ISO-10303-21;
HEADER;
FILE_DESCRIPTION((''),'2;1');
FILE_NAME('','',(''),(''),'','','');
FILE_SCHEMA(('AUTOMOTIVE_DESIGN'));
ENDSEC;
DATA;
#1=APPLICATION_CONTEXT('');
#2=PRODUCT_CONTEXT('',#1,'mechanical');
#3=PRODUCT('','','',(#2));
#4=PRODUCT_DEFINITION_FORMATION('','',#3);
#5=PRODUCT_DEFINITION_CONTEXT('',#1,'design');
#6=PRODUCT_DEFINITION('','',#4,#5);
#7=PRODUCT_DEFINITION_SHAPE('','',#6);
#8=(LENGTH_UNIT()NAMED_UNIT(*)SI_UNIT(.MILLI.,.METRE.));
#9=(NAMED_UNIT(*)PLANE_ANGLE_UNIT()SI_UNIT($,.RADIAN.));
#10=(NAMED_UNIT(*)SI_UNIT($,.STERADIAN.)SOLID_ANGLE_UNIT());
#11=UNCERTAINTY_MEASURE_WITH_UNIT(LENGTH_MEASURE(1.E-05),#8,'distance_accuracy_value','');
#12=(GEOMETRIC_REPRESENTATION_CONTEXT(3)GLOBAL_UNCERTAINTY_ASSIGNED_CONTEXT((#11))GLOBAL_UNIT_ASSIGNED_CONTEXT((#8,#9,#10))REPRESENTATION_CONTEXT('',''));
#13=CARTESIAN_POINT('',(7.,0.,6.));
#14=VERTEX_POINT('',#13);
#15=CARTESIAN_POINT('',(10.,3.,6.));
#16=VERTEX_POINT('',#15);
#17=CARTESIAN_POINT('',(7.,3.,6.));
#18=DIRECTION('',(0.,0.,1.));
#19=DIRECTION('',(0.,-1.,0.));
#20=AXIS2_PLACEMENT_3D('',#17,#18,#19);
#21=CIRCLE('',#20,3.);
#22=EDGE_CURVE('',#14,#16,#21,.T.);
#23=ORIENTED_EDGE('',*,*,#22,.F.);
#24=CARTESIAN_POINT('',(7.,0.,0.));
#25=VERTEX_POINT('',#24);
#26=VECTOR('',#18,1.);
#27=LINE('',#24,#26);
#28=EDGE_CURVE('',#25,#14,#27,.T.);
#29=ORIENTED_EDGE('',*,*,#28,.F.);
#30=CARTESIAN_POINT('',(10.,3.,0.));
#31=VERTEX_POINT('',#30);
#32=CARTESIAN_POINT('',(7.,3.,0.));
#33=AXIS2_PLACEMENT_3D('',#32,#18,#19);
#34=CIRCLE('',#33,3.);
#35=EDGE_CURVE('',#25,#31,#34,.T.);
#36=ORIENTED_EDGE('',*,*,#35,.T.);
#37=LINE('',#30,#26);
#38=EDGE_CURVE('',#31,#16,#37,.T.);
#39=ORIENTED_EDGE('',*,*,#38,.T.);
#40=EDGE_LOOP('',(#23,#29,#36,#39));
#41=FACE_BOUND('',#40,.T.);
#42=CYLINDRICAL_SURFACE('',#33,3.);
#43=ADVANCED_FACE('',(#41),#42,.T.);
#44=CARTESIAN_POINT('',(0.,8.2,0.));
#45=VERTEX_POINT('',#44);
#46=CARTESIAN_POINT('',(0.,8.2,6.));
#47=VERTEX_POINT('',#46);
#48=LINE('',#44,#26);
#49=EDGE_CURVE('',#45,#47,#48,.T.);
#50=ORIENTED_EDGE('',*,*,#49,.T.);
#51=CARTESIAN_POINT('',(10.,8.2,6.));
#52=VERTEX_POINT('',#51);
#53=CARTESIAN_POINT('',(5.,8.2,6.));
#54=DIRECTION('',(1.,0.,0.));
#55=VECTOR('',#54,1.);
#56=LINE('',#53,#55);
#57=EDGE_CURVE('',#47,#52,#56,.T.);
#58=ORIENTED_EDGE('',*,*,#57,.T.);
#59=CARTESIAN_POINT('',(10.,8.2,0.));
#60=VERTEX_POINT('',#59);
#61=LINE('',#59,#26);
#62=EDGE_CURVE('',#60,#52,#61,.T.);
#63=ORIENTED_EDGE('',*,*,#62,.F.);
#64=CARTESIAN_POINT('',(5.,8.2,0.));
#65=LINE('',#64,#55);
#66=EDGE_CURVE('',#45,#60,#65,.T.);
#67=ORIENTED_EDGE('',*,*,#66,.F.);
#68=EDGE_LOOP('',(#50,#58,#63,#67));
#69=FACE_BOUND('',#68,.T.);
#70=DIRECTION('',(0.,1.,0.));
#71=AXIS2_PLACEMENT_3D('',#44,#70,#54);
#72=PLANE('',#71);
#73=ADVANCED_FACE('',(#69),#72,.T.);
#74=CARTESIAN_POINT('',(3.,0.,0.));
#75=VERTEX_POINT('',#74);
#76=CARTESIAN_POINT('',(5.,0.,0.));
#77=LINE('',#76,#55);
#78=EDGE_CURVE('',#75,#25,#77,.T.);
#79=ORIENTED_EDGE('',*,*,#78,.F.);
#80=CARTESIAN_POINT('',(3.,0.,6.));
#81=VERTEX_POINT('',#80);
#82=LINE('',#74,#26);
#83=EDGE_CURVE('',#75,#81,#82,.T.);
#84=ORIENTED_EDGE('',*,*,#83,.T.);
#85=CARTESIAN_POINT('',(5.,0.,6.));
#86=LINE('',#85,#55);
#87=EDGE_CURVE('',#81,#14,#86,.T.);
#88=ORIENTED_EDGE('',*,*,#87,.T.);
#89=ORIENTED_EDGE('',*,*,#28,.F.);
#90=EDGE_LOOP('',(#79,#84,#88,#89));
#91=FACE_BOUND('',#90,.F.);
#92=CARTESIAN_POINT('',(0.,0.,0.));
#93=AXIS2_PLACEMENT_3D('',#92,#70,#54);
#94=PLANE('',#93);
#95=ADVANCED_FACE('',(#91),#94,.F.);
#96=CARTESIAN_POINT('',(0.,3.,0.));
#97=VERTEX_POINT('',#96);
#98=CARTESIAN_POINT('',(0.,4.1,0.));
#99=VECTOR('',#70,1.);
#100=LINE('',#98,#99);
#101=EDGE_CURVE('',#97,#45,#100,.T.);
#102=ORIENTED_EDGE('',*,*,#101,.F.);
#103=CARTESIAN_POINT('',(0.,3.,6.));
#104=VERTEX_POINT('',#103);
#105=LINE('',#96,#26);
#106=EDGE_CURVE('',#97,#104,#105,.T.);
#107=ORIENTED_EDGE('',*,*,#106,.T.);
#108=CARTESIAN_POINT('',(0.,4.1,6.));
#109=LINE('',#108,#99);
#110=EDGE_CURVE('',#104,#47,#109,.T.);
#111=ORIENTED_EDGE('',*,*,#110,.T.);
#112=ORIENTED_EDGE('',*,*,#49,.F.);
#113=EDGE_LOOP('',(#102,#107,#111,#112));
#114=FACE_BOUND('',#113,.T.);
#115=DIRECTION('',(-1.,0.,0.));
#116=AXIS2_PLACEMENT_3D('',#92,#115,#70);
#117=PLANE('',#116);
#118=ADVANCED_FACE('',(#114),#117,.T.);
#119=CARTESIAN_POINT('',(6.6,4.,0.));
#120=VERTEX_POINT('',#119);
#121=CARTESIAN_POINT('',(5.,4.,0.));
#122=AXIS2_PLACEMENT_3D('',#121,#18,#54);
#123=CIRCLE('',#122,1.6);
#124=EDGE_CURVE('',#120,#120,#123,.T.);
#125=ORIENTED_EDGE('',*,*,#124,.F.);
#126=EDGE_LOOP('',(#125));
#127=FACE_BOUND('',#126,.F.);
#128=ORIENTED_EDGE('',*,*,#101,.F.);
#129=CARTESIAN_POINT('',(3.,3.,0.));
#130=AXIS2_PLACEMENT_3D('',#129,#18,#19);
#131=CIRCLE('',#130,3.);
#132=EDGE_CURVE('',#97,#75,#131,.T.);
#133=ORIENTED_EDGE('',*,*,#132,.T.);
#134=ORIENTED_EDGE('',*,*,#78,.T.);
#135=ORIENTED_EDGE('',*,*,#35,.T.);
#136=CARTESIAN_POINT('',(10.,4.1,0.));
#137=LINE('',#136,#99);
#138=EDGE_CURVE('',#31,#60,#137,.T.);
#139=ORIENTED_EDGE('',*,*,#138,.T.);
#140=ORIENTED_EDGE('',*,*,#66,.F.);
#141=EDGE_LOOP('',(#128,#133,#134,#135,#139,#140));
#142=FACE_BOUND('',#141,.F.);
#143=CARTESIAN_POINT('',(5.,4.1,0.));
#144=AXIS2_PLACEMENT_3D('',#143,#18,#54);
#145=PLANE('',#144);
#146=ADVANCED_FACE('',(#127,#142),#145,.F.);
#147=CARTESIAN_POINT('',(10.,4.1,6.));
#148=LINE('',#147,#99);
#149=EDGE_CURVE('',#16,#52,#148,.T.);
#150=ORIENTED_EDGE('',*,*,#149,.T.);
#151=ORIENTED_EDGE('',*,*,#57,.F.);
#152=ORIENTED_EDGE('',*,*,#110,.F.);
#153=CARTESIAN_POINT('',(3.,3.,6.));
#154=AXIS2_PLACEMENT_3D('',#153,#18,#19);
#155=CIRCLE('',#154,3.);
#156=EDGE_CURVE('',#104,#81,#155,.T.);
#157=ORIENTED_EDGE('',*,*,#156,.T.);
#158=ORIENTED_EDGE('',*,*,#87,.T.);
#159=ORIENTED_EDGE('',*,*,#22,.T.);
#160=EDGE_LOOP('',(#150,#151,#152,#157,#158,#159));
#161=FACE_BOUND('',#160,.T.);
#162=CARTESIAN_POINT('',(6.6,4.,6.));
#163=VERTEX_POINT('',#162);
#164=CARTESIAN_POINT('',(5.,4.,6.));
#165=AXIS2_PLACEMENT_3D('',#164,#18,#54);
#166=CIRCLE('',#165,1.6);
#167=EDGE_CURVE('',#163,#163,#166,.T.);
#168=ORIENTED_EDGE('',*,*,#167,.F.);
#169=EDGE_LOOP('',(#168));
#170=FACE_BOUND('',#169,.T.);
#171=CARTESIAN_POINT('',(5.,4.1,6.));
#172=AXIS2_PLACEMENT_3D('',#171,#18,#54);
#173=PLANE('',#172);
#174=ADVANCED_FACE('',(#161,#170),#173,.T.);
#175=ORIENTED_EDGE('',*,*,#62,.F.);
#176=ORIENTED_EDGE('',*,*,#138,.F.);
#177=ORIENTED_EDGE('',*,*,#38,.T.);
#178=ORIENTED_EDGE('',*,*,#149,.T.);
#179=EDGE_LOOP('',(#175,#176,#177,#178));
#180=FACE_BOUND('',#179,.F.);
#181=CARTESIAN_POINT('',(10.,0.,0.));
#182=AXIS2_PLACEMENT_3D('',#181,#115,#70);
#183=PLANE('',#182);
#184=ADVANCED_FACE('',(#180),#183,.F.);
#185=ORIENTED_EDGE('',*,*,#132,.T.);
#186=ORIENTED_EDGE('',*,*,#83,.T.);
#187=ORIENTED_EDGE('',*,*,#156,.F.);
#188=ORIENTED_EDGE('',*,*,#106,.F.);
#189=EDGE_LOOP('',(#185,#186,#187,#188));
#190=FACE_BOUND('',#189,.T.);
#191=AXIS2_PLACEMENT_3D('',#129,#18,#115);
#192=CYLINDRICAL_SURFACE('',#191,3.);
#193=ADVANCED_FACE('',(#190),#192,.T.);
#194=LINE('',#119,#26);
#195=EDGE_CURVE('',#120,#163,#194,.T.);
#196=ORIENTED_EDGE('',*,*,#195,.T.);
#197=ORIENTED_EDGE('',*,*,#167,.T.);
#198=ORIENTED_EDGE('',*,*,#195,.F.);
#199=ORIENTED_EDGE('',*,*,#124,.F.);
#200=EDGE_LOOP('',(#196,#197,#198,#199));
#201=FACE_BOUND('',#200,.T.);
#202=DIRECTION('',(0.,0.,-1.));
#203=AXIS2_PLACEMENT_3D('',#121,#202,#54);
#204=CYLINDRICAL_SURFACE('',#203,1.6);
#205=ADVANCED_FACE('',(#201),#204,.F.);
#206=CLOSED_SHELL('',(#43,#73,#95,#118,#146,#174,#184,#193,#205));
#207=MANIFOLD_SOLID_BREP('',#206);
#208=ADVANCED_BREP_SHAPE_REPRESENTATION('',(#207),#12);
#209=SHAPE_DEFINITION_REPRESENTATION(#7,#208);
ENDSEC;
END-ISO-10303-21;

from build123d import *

# Parameters (mm, degrees)
CYLINDER_R     = 1.6
CYLINDER_DEPTH = 6
BOX_W          = 10
BOX_H          = 8.2
BOX_DEPTH      = 6
FILLET_R       = 3


with BuildPart() as clampcilinder:
    # Cylinder → Cylinder (new body)
    with BuildSketch(Plane(origin=(5, 4, 0), x_dir=(1, 0, 0), z_dir=(0, 0, 1))):
        Circle(CYLINDER_R)
    extrude(amount=CYLINDER_DEPTH)


with BuildPart() as clampfillet:
    # Box → Box (new body)
    with BuildSketch(Plane.XY):
        with Locations((5, 4.1)):
            Rectangle(BOX_W, BOX_H)
    extrude(amount=BOX_DEPTH)

    # Cut: cut ClampCilinder
    add(clampcilinder.part, mode=Mode.SUBTRACT)

    # Fillet
    fillet_edges = [clampfillet.edges().sort_by_distance(p)[0] for p in [
        (0, 0, 3),
        (10, 0, 3),
    ]]
    fillet(fillet_edges, radius=FILLET_R)


solid = clampfillet.part
